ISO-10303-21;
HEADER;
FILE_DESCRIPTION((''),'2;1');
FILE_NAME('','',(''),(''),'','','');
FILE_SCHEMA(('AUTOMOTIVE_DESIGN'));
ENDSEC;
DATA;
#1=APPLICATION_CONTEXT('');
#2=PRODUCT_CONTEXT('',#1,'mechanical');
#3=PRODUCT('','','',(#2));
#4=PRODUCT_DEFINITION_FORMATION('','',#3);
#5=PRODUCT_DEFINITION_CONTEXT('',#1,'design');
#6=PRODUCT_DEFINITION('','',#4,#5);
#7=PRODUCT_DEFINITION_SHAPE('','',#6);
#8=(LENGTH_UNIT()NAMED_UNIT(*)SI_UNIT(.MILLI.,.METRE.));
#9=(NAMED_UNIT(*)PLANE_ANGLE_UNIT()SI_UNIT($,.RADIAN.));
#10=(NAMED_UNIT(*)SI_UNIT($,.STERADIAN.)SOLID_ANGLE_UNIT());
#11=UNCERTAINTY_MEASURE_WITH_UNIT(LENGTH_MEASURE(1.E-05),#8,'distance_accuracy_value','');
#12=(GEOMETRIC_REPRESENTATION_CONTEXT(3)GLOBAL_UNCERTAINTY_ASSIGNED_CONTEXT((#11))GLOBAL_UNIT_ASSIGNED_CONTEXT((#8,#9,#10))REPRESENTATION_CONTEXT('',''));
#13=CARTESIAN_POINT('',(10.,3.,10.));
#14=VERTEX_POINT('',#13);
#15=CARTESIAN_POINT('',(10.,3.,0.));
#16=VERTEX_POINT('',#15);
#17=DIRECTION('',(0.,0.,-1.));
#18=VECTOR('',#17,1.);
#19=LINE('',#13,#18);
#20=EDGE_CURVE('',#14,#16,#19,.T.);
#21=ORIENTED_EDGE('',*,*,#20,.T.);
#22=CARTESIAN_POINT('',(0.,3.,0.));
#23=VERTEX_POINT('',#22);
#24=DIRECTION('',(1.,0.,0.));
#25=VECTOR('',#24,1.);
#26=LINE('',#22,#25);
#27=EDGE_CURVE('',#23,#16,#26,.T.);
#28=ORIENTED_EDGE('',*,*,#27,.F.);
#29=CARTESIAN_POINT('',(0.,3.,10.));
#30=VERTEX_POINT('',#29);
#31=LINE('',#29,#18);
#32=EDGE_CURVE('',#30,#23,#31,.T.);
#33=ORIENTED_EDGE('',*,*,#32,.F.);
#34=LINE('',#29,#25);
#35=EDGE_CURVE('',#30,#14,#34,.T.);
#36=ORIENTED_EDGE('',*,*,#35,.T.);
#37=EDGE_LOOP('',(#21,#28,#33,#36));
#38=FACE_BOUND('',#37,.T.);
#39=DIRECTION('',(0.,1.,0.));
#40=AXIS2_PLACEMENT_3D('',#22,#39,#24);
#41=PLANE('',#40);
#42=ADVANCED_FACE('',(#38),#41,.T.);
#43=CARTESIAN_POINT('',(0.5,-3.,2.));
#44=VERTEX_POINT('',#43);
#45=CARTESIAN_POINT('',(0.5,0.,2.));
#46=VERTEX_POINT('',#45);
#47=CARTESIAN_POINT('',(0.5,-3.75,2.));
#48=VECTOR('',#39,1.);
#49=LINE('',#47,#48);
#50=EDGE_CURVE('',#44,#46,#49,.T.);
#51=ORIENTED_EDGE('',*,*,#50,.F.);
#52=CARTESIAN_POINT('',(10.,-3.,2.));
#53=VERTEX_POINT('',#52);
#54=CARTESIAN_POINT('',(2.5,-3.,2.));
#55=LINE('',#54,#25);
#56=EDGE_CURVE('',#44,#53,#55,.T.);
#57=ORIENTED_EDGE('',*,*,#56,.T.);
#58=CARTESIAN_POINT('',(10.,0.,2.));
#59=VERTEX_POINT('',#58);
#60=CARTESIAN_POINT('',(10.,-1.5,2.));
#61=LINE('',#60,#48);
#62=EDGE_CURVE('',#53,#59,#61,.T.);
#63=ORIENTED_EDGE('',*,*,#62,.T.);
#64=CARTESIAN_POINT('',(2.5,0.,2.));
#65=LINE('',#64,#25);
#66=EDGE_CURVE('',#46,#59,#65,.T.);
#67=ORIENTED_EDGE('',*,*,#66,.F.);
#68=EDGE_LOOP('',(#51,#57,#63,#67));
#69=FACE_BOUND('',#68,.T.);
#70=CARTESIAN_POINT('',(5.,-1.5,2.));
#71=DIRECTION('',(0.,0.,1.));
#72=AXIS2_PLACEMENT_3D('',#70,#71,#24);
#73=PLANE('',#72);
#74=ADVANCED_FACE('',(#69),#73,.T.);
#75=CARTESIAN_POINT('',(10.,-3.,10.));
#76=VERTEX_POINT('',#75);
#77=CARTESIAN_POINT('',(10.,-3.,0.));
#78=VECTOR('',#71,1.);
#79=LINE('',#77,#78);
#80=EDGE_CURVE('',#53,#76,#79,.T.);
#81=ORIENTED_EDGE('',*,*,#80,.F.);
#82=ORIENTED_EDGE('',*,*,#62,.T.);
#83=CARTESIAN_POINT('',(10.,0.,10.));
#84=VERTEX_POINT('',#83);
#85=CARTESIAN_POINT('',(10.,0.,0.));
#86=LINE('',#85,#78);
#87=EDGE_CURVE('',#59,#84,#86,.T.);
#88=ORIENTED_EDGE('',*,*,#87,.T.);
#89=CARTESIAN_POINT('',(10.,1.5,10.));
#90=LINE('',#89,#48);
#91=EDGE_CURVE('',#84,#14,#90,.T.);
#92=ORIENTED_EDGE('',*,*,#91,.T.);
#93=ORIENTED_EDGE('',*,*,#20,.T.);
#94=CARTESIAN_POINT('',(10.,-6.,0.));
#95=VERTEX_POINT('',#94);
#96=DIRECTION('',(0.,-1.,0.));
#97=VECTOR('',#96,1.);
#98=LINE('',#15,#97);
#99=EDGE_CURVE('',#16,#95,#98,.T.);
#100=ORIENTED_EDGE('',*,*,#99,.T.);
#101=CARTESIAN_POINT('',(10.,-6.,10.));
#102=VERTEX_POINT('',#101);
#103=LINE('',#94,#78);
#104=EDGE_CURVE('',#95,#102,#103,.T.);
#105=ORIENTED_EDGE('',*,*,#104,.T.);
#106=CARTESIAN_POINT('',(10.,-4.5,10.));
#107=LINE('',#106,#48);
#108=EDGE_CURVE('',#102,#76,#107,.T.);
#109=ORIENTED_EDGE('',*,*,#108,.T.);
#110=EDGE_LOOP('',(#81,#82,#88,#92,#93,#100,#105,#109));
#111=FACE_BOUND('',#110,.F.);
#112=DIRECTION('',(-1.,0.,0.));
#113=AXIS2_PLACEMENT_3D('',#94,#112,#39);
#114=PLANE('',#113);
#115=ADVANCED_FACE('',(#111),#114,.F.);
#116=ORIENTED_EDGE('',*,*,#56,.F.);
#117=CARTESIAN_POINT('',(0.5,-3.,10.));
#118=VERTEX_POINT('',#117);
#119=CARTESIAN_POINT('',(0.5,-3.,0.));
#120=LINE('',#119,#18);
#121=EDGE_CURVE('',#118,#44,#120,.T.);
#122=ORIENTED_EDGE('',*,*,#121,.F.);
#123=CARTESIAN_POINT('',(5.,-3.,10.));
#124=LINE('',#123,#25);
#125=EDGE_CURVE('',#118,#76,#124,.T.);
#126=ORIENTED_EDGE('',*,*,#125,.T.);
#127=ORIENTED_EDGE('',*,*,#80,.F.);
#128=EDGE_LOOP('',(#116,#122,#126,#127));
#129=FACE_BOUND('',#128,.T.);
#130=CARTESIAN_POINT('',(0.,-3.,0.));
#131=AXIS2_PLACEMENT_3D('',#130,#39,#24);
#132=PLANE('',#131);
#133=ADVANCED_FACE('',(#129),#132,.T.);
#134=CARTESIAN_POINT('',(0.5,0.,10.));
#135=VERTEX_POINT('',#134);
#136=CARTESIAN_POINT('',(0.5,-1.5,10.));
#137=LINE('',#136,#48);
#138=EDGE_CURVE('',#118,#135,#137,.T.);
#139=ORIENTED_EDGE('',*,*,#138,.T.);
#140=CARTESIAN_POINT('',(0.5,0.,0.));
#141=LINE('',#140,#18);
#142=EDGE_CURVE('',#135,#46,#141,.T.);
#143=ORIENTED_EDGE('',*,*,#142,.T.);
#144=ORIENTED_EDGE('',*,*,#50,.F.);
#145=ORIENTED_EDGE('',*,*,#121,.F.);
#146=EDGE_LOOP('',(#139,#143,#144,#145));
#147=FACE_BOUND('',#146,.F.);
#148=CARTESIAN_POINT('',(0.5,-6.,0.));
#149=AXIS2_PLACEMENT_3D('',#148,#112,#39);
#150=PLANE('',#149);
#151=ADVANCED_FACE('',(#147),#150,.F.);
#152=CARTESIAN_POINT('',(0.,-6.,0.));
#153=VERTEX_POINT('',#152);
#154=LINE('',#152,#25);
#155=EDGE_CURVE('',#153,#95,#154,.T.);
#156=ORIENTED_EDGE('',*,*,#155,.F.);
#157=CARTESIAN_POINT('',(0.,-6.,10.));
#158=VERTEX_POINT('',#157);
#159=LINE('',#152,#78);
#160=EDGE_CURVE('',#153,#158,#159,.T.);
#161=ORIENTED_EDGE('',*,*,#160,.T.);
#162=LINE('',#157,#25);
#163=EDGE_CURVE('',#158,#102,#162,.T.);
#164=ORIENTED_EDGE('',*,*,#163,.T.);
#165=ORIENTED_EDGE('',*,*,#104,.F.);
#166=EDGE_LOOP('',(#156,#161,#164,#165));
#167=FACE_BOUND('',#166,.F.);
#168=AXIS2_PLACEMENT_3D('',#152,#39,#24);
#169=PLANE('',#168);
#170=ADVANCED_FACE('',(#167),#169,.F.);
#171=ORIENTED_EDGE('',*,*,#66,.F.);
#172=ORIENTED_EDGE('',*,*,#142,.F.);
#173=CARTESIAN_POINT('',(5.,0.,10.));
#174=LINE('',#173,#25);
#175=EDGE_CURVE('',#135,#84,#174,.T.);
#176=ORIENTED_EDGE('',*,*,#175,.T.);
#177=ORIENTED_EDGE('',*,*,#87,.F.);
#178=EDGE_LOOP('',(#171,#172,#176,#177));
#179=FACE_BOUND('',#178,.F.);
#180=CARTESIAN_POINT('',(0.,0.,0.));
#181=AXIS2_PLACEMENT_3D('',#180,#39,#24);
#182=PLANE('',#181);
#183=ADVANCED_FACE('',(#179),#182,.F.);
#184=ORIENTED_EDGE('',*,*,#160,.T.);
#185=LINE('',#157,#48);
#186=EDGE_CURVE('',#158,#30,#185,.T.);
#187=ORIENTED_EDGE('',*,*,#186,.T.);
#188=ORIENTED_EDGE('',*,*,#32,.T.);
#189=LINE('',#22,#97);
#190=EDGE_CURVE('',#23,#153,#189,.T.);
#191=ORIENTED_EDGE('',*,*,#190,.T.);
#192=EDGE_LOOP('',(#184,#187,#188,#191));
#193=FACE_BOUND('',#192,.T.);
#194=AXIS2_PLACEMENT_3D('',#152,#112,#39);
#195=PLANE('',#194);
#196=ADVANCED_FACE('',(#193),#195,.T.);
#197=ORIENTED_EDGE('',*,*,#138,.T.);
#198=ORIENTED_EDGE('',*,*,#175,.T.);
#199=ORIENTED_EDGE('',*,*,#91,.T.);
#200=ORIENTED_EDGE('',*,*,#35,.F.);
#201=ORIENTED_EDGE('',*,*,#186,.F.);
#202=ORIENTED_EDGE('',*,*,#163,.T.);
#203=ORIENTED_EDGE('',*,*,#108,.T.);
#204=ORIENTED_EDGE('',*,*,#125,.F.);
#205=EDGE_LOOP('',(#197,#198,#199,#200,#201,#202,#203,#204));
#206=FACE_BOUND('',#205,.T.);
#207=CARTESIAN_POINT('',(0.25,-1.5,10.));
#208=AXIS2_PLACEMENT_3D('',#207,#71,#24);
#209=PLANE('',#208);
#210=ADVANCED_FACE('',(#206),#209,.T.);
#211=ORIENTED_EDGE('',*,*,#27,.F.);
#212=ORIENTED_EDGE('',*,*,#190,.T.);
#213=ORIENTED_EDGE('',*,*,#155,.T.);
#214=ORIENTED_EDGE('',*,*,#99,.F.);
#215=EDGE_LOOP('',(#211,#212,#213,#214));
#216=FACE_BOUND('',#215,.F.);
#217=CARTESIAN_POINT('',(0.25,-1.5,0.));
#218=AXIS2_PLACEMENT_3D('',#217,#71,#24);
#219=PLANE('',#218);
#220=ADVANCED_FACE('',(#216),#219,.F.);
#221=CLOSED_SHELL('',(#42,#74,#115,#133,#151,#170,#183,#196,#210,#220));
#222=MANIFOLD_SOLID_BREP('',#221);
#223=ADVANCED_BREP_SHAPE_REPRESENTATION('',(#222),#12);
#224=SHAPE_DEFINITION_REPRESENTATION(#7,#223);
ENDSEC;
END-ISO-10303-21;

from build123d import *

# Parameters (mm, degrees)
BOX010_W     = 10
BOX010_H     = 3
BOX010_DEPTH = 10
BOX011_W     = 10
BOX011_H     = 3
BOX011_DEPTH = 10
BOX012_W     = 10
BOX012_H     = 9
BOX012_DEPTH = 2
BOX013_W     = 0.5
BOX013_H     = 9
BOX013_DEPTH = 10


with BuildPart() as cube008:
    # Box010 → Box010 (new body)
    with BuildSketch(Plane.XY):
        with Locations((5, 1.5)):
            Rectangle(BOX010_W, BOX010_H)
    extrude(amount=BOX010_DEPTH)


with BuildPart() as cube009:
    # Box011 → Box011 (new body)
    with BuildSketch(Plane(origin=(0, -6, 0), x_dir=(1, 0, 0), z_dir=(0, 0, 1))):
        with Locations((5, 1.5)):
            Rectangle(BOX011_W, BOX011_H)
    extrude(amount=BOX011_DEPTH)


with BuildPart() as cube010:
    # Box012 → Box012 (new body)
    with BuildSketch(Plane(origin=(0, -6, 0), x_dir=(1, 0, 0), z_dir=(0, 0, 1))):
        with Locations((5, 4.5)):
            Rectangle(BOX012_W, BOX012_H)
    extrude(amount=BOX012_DEPTH)


with BuildPart() as fusion002:
    # Box013 → Box013 (new body)
    with BuildSketch(Plane(origin=(0, -6, 0), x_dir=(1, 0, 0), z_dir=(0, 0, 1))):
        with Locations((0.25, 4.5)):
            Rectangle(BOX013_W, BOX013_H)
    extrude(amount=BOX013_DEPTH)

    # Fusion002: union Cube008, Cube009, Cube010
    add(cube008.part)
    add(cube009.part)
    add(cube010.part)


solid = fusion002.part
